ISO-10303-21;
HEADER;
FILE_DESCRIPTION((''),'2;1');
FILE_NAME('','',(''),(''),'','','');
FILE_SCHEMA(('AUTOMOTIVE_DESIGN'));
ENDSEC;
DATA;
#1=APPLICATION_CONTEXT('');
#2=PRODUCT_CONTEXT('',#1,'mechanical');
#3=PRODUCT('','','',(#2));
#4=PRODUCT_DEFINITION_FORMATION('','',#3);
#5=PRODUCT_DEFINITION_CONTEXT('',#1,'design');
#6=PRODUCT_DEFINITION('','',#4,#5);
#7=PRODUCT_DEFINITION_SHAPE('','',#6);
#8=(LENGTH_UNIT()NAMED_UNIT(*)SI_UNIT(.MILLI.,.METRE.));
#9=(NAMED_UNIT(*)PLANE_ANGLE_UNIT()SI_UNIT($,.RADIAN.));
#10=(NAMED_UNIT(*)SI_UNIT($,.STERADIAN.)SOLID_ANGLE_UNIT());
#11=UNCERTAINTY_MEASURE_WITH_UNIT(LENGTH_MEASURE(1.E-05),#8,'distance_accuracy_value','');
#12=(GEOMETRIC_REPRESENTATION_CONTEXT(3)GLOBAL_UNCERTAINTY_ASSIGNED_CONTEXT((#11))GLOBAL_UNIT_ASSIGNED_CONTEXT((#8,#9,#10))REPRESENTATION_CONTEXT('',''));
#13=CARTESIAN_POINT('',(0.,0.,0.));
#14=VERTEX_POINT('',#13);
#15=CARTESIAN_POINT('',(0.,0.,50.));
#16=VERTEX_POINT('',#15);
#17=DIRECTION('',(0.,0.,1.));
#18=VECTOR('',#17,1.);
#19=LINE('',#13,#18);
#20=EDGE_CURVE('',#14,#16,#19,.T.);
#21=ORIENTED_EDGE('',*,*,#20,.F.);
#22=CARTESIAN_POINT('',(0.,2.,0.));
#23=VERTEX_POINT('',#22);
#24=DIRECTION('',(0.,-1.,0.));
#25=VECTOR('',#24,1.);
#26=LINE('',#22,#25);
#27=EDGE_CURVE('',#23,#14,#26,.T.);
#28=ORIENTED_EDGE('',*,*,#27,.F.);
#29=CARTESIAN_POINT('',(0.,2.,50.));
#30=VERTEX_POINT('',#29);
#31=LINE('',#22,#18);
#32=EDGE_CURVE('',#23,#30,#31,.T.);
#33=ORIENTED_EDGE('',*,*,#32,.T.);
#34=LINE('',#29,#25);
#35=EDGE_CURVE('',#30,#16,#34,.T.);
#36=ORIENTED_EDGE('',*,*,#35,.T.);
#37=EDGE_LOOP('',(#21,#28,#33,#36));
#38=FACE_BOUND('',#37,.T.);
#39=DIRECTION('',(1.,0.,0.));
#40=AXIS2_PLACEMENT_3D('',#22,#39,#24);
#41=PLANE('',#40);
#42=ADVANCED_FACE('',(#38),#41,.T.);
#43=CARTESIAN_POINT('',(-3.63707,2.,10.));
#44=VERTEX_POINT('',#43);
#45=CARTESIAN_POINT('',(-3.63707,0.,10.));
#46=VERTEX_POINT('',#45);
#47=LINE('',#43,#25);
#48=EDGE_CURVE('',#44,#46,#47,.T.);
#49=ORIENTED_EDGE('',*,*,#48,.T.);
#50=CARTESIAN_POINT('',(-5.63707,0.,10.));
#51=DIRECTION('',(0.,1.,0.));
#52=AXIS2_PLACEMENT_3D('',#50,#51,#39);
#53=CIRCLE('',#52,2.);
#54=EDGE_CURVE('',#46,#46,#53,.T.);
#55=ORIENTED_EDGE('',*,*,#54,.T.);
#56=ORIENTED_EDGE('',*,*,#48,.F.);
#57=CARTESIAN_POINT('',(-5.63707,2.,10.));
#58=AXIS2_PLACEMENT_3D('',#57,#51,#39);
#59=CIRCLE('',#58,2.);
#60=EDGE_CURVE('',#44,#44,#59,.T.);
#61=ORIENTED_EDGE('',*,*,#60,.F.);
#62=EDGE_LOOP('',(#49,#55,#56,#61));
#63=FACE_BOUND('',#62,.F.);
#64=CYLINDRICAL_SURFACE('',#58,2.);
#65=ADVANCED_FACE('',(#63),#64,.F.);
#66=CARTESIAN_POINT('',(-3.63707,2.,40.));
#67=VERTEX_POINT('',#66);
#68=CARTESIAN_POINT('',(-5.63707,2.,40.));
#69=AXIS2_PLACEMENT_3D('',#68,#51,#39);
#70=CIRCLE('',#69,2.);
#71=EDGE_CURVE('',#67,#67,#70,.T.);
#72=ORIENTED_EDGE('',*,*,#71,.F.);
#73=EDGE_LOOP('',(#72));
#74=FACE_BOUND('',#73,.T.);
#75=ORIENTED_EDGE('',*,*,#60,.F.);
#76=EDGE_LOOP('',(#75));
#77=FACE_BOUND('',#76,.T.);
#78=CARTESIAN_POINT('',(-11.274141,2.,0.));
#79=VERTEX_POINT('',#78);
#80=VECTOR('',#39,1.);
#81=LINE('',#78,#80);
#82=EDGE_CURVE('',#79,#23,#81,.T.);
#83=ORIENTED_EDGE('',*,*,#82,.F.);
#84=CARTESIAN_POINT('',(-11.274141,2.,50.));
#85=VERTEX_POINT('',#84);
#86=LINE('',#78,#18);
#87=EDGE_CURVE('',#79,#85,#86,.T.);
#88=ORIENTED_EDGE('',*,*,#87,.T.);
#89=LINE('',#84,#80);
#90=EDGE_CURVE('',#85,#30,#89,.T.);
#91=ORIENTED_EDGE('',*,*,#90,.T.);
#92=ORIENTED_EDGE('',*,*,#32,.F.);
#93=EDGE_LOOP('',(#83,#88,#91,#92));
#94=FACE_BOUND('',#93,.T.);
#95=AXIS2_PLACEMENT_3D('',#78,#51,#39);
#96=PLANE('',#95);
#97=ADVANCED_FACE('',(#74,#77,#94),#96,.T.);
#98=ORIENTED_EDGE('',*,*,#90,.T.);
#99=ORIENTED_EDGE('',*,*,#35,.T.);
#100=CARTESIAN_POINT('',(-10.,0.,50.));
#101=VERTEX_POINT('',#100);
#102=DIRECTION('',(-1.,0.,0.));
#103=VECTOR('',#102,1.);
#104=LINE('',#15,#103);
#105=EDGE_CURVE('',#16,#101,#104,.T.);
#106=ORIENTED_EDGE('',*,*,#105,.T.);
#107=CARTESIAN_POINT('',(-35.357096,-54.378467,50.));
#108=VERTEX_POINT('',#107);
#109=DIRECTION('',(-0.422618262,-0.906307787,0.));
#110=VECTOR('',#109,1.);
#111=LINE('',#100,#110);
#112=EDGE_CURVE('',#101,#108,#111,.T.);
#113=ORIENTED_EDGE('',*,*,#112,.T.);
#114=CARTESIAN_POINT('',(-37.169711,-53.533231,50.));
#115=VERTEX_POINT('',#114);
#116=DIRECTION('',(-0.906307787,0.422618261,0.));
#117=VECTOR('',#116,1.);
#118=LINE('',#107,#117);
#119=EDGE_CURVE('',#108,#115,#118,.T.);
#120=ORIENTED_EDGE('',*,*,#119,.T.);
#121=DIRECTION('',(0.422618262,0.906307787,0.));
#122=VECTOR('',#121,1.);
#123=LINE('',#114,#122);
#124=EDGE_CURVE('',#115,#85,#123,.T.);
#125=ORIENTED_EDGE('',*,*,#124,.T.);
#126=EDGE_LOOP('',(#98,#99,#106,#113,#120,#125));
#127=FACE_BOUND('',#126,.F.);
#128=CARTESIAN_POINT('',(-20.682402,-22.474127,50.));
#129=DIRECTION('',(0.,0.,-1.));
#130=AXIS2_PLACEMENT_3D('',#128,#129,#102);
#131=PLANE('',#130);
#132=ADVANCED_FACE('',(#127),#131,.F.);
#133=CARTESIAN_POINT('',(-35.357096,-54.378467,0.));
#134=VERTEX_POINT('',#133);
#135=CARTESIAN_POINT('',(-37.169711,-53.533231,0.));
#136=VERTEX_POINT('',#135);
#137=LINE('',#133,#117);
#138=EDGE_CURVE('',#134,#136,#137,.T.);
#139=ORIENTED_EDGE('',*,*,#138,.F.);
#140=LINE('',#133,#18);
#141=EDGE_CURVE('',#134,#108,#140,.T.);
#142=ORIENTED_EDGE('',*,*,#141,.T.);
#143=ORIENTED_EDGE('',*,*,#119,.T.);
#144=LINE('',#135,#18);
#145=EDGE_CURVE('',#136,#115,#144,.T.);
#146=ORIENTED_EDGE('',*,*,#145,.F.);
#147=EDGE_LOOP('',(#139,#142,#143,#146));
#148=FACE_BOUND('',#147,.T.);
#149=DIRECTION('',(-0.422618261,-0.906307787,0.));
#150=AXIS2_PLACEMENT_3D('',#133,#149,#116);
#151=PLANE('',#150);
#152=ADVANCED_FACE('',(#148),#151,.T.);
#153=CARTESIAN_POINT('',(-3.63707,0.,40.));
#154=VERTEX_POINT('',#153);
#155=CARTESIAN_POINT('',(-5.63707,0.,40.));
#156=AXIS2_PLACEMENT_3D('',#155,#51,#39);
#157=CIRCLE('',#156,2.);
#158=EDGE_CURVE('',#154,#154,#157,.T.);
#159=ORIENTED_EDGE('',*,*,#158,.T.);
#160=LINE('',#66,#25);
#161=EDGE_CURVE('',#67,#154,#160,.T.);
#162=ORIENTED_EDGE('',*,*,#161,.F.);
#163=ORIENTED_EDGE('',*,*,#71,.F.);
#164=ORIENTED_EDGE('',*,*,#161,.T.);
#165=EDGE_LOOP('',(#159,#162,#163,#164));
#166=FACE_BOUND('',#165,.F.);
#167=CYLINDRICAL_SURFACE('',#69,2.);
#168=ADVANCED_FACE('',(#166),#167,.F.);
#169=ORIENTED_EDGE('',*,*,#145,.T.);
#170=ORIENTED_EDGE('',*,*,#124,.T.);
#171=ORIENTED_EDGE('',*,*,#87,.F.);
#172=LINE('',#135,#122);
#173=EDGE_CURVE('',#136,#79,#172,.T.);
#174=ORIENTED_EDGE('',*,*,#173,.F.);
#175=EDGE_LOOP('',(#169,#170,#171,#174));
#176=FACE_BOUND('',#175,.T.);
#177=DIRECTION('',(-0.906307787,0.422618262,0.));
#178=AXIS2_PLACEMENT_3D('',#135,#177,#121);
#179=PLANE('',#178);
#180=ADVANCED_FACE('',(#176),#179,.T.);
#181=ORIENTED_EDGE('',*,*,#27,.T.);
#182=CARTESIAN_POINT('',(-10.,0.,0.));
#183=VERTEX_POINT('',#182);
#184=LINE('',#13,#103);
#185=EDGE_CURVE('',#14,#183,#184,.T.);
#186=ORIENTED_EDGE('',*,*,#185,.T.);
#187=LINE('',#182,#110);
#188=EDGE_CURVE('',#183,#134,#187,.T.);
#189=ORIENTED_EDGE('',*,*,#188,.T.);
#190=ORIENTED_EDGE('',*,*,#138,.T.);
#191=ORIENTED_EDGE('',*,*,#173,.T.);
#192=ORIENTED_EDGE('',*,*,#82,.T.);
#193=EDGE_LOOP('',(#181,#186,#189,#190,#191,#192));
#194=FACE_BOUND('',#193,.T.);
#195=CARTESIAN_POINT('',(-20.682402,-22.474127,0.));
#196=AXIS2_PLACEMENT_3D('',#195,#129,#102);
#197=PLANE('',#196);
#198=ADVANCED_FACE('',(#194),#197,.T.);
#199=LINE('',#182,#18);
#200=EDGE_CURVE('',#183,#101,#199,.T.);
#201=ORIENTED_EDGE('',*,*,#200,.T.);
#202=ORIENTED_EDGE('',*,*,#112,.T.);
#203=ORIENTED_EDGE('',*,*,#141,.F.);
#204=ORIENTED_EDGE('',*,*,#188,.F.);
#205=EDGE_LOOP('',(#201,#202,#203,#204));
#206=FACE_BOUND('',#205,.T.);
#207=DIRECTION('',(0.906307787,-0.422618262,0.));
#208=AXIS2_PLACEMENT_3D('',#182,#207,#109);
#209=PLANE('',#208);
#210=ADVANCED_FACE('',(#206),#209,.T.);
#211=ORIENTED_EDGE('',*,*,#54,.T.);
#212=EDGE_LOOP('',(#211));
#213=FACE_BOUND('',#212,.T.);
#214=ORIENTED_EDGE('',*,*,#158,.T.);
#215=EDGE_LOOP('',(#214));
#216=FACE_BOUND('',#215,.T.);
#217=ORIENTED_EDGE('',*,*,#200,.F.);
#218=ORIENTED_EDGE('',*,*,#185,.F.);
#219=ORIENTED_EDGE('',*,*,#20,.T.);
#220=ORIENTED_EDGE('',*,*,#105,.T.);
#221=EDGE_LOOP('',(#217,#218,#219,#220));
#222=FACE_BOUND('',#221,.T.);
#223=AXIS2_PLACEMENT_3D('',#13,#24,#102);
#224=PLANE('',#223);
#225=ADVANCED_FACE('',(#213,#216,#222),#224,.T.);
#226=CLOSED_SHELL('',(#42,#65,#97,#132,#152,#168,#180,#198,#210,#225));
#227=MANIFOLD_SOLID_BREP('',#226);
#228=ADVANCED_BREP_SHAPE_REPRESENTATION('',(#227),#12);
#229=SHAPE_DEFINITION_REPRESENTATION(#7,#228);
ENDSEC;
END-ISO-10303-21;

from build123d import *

# Parameters (mm, degrees)
BOSS_EXTRUDE1_DEPTH = 50
CUT_EXTRUDE1_REACH  = 58.378
SKETCH2_R           = 2


with BuildPart() as part:
    # Sketch1 → Boss-Extrude1 (new body)
    with BuildSketch(Plane.XY):
        Polygon((0, 0), (-10, 0), (-35.357095704, -54.378467222), (-37.169711279, -53.533230699), (-11.274140522, 2), (0, 2), align=None)
    extrude(amount=BOSS_EXTRUDE1_DEPTH)

    # Sketch2 → Cut-Extrude1 (cut, up to next)
    with BuildSketch(Plane(origin=(0, 2, 0), x_dir=(1, 0, 0), z_dir=(0, 1, 0)), mode=Mode.PRIVATE) as cut_extrude1_sk1:
        with Locations((-5.637070261, -10)):
            Circle(SKETCH2_R)
    cut_extrude1_tool1 = extrude(cut_extrude1_sk1.sketch, amount=-CUT_EXTRUDE1_REACH, mode=Mode.PRIVATE) & part.part
    add(cut_extrude1_tool1.solids().sort_by_distance((-5.63707, 2, 10))[0], mode=Mode.SUBTRACT)
    # Sketch2 → Cut-Extrude1 (cut, up to next)
    with BuildSketch(Plane(origin=(0, 2, 0), x_dir=(1, 0, 0), z_dir=(0, 1, 0)), mode=Mode.PRIVATE) as cut_extrude1_sk2:
        with Locations((-5.637070261, -40)):
            Circle(SKETCH2_R)
    cut_extrude1_tool2 = extrude(cut_extrude1_sk2.sketch, amount=-CUT_EXTRUDE1_REACH, mode=Mode.PRIVATE) & part.part
    add(cut_extrude1_tool2.solids().sort_by_distance((-5.63707, 2, 40))[0], mode=Mode.SUBTRACT)


solid = part.part
